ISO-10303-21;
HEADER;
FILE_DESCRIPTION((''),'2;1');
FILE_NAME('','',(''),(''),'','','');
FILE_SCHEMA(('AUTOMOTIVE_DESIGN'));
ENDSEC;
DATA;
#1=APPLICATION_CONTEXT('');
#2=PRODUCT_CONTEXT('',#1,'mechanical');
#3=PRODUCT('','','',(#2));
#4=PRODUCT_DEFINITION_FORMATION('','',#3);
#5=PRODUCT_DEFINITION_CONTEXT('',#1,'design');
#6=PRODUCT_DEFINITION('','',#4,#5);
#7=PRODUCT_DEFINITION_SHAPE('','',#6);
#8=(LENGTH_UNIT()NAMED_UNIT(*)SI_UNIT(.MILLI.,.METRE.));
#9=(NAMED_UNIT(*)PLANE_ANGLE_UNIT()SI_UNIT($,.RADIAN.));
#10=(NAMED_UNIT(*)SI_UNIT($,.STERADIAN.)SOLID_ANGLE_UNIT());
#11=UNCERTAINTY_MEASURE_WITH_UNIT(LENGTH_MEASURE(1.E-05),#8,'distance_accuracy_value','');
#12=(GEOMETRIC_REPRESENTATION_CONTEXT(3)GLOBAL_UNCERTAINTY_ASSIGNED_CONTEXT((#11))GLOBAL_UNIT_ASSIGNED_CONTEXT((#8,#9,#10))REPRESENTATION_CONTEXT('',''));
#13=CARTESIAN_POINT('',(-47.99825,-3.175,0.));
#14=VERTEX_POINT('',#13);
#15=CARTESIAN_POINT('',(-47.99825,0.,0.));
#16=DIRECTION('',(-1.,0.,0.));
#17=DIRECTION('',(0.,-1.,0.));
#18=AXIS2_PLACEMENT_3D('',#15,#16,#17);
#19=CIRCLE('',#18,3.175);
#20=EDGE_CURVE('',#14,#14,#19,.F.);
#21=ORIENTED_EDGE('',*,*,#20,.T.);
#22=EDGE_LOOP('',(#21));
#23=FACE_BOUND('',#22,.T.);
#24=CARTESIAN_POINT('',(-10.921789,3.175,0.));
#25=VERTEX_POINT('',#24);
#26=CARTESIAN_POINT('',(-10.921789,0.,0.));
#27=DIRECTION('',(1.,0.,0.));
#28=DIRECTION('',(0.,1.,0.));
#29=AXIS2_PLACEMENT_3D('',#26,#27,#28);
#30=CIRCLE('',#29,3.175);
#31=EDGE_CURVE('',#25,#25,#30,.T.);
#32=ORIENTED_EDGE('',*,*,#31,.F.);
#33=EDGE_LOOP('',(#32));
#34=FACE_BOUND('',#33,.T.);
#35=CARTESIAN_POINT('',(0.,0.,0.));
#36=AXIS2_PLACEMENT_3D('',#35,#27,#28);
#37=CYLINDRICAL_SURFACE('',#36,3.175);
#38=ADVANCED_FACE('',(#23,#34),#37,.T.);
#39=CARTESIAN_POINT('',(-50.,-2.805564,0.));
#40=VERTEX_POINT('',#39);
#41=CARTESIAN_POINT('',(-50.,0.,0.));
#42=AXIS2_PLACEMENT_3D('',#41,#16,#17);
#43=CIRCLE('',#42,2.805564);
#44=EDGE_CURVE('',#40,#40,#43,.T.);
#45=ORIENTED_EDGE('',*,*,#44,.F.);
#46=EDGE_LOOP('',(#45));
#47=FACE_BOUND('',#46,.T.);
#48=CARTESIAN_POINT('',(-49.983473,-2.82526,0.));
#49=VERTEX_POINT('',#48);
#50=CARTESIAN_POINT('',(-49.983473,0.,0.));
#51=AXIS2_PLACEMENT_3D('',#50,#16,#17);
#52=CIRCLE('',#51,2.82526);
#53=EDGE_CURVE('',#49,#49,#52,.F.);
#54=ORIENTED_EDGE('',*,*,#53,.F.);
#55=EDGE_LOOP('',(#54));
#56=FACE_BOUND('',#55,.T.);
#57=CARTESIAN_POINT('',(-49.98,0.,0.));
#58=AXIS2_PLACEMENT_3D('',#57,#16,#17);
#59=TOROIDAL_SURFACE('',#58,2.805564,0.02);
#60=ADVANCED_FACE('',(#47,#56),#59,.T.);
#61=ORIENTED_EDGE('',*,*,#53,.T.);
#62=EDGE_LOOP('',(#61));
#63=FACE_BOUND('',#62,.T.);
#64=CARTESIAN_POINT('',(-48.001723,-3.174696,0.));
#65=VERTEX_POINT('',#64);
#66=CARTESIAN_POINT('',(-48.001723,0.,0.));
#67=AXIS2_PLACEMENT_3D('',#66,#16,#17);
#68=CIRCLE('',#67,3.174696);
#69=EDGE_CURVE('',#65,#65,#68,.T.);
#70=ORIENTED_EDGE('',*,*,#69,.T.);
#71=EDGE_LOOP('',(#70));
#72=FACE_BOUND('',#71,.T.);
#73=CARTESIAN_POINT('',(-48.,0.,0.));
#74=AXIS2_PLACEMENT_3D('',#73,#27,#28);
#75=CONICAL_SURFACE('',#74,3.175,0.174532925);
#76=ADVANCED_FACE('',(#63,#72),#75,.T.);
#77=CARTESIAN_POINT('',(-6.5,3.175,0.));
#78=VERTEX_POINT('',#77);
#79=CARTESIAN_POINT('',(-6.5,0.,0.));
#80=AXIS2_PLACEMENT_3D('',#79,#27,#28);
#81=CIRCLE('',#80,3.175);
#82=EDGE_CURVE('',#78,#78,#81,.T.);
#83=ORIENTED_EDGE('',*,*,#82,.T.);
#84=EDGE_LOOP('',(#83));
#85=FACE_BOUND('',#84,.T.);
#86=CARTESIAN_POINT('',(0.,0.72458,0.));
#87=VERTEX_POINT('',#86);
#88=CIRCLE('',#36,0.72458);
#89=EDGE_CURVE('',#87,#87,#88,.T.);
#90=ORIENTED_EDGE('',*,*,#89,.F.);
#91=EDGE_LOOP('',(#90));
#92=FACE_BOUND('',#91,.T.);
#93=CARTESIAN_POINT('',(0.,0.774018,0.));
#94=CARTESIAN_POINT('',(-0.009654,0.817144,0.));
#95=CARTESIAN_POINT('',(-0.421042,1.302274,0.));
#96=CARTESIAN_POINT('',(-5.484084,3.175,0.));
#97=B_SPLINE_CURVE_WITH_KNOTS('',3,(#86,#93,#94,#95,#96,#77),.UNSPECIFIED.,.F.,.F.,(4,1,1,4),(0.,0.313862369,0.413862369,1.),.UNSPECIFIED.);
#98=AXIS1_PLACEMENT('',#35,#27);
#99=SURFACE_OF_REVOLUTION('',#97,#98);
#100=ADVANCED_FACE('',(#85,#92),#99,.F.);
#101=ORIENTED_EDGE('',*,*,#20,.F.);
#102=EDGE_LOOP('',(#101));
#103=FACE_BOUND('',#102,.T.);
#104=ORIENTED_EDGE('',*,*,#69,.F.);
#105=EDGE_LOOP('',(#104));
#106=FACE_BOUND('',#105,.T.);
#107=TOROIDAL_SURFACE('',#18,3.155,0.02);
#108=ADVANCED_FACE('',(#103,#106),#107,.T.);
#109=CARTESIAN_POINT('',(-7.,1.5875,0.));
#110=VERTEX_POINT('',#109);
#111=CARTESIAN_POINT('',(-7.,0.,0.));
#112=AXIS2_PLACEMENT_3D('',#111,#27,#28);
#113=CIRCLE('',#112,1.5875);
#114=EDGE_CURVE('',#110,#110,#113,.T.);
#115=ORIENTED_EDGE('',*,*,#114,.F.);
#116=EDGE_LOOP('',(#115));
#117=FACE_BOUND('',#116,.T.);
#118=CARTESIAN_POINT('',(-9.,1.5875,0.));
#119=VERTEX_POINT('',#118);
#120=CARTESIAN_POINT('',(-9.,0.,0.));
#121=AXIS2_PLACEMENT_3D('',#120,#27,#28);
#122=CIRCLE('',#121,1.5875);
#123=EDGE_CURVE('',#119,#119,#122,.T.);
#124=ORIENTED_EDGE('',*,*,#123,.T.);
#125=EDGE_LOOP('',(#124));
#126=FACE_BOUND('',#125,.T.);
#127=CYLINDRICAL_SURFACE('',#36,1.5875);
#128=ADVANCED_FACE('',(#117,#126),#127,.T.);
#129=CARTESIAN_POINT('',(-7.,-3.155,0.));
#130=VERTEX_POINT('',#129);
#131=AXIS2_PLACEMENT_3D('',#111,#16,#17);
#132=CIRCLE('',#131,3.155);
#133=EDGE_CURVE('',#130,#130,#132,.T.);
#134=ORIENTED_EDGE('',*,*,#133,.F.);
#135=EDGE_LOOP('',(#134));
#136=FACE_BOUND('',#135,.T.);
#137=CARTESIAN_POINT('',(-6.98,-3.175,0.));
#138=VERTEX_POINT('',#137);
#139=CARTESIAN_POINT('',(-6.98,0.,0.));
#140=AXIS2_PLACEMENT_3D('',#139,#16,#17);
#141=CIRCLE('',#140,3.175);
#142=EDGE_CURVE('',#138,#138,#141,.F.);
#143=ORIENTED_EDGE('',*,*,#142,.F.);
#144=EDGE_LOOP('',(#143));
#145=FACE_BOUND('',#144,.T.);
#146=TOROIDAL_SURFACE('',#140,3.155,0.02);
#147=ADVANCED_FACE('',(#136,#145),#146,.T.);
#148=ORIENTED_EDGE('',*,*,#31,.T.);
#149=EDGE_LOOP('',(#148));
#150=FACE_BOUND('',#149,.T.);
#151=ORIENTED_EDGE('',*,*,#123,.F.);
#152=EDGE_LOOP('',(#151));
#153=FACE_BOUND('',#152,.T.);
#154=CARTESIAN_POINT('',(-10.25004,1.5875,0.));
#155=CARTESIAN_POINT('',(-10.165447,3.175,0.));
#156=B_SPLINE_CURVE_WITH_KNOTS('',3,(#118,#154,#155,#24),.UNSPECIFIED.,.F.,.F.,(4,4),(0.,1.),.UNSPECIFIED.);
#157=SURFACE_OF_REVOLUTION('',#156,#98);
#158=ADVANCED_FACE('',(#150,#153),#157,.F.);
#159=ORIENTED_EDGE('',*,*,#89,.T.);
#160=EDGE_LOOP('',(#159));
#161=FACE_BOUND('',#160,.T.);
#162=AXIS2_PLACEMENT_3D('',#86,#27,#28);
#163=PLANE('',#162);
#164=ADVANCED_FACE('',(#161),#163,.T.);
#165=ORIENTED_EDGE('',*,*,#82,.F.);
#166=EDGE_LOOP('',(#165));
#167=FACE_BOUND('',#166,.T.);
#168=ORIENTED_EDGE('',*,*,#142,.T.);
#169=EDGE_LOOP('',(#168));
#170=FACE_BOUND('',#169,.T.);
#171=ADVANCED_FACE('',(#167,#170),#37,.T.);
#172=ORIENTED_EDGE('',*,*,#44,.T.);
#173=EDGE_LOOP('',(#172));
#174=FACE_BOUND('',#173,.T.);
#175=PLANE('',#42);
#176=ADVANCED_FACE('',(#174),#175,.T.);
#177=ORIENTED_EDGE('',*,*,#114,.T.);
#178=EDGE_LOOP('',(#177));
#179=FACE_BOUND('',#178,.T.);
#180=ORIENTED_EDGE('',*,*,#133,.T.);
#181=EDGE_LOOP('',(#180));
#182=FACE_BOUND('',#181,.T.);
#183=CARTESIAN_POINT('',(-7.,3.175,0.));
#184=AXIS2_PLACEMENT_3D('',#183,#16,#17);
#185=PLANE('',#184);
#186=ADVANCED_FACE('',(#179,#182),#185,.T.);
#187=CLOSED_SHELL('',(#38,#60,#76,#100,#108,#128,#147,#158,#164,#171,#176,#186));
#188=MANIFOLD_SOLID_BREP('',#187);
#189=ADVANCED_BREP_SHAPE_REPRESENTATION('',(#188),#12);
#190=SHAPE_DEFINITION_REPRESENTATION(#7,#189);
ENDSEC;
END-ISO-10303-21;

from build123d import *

# Parameters (mm, degrees)
BREAK_EDGES_R = 0.02


with BuildPart() as part:
    # body_sketch → body (revolve)
    with BuildSketch(Plane.XY):
        with BuildLine():
            Line((-16.73571407, 3.175), (-10.921788615, 3.175))
            add(Edge.make_bspline(
                [(-10.921788615, 3.175), (-10.165447426, 3.175), (-10.250040485, 1.5875), (-9, 1.5875)],
                knots=[0, 0, 0, 0, 1, 1, 1, 1], degree=3))
            Line((-9, 1.5875), (-7, 1.5875))
            Line((-7, 1.5875), (-7, 3.175))
            Line((-7, 3.175), (-6.5, 3.175))
            add(Edge.make_bspline(
                [(-6.5, 3.175), (-5.484084378, 3.175), (-0.421041724, 1.302274259), (-0.009654297, 0.817143972), (0, 0.774017781), (0, 0.724579725)],
                knots=[0, 0, 0, 0, 0.586137631, 0.686137631, 1, 1, 1, 1], degree=3))
            Line((0, 0.724579725), (0, 0))
            Line((0, 0), (-50, 0))
            Line((-50, 0), (-50, 2.822346039))
            Line((-50, 2.822346039), (-48, 3.175))
            Line((-48, 3.175), (-20.811079947, 3.175))
            add(Edge.make_bspline(
                [(-20.811079947, 3.175), (-19.383200887, 3.175), (-18.073641119, 3.175), (-16.73571407, 3.175)],
                knots=[0, 0, 0, 0, 1, 1, 1, 1], degree=3))
        make_face()
    revolve(axis=Axis((0, 0, 0), (-1, 0, 0)))

    # break_edges
    break_edges_edges = [part.edges().sort_by_distance(p)[0] for p in [
        (-7, -3.175, 0),
        (-50, -2.822346039, 0),
        (-48, -3.175, 0),
    ]]
    fillet(break_edges_edges, radius=BREAK_EDGES_R)


solid = part.part
